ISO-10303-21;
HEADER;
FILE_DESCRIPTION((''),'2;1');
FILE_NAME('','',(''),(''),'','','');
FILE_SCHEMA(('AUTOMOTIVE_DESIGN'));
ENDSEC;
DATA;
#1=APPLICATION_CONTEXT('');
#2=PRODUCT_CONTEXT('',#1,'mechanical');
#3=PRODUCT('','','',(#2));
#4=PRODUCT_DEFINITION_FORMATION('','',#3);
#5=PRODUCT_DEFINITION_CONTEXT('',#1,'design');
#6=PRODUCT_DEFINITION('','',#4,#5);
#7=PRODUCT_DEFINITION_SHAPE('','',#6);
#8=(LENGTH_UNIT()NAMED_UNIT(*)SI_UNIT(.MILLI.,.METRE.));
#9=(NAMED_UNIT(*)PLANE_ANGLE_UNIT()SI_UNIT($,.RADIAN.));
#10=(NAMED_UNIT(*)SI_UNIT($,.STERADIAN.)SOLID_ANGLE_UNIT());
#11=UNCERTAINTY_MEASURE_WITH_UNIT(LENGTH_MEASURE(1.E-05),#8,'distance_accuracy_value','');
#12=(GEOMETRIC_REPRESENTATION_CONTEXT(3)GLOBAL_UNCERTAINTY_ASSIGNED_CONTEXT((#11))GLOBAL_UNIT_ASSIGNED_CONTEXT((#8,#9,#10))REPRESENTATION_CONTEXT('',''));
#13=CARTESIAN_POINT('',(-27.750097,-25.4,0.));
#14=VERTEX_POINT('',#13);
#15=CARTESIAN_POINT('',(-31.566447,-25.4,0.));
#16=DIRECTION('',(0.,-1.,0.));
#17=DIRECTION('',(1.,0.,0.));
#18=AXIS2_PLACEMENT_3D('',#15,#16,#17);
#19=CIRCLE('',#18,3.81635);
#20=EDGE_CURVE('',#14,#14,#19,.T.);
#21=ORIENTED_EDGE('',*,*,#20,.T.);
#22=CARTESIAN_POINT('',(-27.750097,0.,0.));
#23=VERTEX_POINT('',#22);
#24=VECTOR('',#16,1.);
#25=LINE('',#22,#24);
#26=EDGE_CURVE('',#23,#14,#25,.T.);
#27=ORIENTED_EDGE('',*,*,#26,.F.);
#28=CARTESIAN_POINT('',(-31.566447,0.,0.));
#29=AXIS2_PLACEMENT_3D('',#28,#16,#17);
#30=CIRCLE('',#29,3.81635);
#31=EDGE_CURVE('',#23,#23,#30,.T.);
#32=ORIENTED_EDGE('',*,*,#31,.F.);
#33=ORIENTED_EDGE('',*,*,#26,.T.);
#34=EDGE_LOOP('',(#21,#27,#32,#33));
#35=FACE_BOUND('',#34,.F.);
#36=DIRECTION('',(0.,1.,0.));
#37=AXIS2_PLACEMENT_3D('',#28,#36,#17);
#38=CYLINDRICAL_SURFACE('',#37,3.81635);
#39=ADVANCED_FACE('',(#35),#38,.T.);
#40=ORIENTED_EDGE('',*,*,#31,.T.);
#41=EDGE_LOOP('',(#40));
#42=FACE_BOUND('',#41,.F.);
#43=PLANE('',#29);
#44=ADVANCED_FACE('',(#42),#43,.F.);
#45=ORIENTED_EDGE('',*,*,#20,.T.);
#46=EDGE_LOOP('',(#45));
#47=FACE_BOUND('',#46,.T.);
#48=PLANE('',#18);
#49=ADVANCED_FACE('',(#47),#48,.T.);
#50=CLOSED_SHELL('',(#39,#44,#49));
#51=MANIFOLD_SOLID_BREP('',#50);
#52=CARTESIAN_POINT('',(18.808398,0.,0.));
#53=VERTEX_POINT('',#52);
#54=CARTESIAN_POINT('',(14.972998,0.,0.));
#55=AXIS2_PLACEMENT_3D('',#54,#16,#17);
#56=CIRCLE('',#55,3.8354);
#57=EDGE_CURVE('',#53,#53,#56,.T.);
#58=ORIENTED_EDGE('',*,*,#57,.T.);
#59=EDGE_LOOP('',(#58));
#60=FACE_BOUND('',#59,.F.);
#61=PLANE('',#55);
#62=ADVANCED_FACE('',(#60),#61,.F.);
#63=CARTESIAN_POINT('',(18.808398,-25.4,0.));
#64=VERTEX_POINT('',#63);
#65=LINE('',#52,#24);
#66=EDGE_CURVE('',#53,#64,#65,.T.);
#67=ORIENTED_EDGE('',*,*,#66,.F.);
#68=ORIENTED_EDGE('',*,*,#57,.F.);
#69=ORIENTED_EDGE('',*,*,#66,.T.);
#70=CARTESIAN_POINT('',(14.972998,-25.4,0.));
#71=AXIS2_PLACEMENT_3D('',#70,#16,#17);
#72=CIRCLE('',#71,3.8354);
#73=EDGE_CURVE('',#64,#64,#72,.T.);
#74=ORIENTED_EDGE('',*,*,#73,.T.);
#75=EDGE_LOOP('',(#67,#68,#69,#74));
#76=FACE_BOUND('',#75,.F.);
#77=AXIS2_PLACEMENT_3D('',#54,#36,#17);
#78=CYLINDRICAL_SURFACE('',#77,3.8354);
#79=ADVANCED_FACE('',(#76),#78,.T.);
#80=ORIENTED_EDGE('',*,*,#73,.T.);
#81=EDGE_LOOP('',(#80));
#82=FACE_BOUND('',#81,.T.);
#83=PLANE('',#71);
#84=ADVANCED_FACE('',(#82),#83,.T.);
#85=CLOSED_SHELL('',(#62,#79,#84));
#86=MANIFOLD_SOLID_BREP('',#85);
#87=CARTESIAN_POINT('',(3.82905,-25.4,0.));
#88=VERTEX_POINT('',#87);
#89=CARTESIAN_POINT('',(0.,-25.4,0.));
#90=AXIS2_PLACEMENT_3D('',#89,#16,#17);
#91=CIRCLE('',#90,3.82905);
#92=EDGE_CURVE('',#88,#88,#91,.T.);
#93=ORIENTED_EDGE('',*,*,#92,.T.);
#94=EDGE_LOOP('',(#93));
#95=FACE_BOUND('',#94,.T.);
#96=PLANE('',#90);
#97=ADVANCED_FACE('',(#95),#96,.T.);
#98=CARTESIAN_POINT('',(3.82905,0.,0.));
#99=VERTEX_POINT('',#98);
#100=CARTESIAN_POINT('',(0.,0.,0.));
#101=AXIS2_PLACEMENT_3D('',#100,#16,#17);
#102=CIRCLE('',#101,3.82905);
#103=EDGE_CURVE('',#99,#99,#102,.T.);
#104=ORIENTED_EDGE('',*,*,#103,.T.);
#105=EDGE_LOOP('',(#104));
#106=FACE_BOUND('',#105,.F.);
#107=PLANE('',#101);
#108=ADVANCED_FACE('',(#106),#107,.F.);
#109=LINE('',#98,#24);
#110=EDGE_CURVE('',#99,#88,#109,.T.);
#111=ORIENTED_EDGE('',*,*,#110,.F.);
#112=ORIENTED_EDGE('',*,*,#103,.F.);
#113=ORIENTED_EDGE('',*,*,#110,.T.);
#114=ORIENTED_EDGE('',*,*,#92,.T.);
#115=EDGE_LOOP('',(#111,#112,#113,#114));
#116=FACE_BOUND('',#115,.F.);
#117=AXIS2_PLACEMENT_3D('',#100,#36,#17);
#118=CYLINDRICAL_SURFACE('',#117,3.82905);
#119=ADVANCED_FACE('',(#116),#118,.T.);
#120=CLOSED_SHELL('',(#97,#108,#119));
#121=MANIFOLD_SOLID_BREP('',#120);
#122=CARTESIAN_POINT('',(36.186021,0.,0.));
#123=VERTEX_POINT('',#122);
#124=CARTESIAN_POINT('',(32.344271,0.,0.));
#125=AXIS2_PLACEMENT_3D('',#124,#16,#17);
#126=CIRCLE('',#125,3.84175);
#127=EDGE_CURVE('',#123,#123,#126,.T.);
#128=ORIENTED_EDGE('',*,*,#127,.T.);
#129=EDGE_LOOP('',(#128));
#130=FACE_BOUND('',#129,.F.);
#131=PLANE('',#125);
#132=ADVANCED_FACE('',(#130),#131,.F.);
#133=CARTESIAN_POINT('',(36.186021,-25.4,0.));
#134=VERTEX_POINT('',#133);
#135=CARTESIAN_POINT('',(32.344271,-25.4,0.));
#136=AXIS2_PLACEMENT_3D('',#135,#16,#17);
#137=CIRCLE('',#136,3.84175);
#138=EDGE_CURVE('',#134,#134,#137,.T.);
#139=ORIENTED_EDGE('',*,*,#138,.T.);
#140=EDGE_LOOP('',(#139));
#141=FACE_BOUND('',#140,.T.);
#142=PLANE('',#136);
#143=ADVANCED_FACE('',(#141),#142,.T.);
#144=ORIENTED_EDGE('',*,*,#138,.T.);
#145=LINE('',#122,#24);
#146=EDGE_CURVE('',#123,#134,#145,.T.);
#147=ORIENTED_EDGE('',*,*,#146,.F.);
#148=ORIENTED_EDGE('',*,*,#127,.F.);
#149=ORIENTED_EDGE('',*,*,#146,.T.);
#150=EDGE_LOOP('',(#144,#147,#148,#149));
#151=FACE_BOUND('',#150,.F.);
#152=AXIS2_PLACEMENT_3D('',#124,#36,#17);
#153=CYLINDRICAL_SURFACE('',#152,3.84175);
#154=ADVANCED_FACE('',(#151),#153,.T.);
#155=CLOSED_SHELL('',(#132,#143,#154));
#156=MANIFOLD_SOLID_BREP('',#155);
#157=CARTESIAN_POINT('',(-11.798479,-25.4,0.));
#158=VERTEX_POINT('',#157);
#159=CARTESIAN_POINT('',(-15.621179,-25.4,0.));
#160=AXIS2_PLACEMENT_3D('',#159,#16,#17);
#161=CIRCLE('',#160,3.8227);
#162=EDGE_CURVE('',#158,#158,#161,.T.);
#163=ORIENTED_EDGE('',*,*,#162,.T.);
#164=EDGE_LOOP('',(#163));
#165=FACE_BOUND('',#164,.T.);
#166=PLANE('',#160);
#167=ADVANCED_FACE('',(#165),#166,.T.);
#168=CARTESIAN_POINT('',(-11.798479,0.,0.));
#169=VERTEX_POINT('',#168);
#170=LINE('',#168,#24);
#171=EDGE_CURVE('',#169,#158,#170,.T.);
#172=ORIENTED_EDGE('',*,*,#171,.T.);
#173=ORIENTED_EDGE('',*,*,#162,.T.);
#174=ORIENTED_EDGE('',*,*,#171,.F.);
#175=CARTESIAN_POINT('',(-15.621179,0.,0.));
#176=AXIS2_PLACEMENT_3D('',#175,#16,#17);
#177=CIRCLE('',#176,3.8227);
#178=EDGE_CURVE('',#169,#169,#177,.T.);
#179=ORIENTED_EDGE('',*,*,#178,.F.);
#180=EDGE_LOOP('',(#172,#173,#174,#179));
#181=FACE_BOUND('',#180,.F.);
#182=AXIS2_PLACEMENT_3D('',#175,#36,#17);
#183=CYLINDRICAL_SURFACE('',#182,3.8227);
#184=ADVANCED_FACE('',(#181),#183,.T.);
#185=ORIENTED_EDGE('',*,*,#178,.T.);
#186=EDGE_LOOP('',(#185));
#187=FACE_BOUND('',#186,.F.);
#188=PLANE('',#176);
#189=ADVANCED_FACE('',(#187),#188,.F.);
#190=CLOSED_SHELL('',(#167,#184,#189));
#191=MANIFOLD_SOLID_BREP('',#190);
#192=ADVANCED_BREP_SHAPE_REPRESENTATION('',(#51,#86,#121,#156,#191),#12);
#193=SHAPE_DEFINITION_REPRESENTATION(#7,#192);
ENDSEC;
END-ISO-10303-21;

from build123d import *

# Parameters (mm, degrees)
F0_R     = 3.81635
F0_R_2   = 3.8227
F0_R_3   = 3.82905
F0_R_4   = 3.8354
F0_R_5   = 3.84175
F1_DEPTH = 25.4


with BuildPart() as f1:
    # F0 (on Front) → F1 (new body)
    with BuildSketch(Plane.XZ):
        with Locations((-31.566447, 0)):
            Circle(F0_R)
        with Locations((-15.621179, 0)):
            Circle(F0_R_2)
        Circle(F0_R_3)
        with Locations((14.972998, 0)):
            Circle(F0_R_4)
        with Locations((32.344271, 0)):
            Circle(F0_R_5)
    extrude(amount=F1_DEPTH)


solid = f1.part
